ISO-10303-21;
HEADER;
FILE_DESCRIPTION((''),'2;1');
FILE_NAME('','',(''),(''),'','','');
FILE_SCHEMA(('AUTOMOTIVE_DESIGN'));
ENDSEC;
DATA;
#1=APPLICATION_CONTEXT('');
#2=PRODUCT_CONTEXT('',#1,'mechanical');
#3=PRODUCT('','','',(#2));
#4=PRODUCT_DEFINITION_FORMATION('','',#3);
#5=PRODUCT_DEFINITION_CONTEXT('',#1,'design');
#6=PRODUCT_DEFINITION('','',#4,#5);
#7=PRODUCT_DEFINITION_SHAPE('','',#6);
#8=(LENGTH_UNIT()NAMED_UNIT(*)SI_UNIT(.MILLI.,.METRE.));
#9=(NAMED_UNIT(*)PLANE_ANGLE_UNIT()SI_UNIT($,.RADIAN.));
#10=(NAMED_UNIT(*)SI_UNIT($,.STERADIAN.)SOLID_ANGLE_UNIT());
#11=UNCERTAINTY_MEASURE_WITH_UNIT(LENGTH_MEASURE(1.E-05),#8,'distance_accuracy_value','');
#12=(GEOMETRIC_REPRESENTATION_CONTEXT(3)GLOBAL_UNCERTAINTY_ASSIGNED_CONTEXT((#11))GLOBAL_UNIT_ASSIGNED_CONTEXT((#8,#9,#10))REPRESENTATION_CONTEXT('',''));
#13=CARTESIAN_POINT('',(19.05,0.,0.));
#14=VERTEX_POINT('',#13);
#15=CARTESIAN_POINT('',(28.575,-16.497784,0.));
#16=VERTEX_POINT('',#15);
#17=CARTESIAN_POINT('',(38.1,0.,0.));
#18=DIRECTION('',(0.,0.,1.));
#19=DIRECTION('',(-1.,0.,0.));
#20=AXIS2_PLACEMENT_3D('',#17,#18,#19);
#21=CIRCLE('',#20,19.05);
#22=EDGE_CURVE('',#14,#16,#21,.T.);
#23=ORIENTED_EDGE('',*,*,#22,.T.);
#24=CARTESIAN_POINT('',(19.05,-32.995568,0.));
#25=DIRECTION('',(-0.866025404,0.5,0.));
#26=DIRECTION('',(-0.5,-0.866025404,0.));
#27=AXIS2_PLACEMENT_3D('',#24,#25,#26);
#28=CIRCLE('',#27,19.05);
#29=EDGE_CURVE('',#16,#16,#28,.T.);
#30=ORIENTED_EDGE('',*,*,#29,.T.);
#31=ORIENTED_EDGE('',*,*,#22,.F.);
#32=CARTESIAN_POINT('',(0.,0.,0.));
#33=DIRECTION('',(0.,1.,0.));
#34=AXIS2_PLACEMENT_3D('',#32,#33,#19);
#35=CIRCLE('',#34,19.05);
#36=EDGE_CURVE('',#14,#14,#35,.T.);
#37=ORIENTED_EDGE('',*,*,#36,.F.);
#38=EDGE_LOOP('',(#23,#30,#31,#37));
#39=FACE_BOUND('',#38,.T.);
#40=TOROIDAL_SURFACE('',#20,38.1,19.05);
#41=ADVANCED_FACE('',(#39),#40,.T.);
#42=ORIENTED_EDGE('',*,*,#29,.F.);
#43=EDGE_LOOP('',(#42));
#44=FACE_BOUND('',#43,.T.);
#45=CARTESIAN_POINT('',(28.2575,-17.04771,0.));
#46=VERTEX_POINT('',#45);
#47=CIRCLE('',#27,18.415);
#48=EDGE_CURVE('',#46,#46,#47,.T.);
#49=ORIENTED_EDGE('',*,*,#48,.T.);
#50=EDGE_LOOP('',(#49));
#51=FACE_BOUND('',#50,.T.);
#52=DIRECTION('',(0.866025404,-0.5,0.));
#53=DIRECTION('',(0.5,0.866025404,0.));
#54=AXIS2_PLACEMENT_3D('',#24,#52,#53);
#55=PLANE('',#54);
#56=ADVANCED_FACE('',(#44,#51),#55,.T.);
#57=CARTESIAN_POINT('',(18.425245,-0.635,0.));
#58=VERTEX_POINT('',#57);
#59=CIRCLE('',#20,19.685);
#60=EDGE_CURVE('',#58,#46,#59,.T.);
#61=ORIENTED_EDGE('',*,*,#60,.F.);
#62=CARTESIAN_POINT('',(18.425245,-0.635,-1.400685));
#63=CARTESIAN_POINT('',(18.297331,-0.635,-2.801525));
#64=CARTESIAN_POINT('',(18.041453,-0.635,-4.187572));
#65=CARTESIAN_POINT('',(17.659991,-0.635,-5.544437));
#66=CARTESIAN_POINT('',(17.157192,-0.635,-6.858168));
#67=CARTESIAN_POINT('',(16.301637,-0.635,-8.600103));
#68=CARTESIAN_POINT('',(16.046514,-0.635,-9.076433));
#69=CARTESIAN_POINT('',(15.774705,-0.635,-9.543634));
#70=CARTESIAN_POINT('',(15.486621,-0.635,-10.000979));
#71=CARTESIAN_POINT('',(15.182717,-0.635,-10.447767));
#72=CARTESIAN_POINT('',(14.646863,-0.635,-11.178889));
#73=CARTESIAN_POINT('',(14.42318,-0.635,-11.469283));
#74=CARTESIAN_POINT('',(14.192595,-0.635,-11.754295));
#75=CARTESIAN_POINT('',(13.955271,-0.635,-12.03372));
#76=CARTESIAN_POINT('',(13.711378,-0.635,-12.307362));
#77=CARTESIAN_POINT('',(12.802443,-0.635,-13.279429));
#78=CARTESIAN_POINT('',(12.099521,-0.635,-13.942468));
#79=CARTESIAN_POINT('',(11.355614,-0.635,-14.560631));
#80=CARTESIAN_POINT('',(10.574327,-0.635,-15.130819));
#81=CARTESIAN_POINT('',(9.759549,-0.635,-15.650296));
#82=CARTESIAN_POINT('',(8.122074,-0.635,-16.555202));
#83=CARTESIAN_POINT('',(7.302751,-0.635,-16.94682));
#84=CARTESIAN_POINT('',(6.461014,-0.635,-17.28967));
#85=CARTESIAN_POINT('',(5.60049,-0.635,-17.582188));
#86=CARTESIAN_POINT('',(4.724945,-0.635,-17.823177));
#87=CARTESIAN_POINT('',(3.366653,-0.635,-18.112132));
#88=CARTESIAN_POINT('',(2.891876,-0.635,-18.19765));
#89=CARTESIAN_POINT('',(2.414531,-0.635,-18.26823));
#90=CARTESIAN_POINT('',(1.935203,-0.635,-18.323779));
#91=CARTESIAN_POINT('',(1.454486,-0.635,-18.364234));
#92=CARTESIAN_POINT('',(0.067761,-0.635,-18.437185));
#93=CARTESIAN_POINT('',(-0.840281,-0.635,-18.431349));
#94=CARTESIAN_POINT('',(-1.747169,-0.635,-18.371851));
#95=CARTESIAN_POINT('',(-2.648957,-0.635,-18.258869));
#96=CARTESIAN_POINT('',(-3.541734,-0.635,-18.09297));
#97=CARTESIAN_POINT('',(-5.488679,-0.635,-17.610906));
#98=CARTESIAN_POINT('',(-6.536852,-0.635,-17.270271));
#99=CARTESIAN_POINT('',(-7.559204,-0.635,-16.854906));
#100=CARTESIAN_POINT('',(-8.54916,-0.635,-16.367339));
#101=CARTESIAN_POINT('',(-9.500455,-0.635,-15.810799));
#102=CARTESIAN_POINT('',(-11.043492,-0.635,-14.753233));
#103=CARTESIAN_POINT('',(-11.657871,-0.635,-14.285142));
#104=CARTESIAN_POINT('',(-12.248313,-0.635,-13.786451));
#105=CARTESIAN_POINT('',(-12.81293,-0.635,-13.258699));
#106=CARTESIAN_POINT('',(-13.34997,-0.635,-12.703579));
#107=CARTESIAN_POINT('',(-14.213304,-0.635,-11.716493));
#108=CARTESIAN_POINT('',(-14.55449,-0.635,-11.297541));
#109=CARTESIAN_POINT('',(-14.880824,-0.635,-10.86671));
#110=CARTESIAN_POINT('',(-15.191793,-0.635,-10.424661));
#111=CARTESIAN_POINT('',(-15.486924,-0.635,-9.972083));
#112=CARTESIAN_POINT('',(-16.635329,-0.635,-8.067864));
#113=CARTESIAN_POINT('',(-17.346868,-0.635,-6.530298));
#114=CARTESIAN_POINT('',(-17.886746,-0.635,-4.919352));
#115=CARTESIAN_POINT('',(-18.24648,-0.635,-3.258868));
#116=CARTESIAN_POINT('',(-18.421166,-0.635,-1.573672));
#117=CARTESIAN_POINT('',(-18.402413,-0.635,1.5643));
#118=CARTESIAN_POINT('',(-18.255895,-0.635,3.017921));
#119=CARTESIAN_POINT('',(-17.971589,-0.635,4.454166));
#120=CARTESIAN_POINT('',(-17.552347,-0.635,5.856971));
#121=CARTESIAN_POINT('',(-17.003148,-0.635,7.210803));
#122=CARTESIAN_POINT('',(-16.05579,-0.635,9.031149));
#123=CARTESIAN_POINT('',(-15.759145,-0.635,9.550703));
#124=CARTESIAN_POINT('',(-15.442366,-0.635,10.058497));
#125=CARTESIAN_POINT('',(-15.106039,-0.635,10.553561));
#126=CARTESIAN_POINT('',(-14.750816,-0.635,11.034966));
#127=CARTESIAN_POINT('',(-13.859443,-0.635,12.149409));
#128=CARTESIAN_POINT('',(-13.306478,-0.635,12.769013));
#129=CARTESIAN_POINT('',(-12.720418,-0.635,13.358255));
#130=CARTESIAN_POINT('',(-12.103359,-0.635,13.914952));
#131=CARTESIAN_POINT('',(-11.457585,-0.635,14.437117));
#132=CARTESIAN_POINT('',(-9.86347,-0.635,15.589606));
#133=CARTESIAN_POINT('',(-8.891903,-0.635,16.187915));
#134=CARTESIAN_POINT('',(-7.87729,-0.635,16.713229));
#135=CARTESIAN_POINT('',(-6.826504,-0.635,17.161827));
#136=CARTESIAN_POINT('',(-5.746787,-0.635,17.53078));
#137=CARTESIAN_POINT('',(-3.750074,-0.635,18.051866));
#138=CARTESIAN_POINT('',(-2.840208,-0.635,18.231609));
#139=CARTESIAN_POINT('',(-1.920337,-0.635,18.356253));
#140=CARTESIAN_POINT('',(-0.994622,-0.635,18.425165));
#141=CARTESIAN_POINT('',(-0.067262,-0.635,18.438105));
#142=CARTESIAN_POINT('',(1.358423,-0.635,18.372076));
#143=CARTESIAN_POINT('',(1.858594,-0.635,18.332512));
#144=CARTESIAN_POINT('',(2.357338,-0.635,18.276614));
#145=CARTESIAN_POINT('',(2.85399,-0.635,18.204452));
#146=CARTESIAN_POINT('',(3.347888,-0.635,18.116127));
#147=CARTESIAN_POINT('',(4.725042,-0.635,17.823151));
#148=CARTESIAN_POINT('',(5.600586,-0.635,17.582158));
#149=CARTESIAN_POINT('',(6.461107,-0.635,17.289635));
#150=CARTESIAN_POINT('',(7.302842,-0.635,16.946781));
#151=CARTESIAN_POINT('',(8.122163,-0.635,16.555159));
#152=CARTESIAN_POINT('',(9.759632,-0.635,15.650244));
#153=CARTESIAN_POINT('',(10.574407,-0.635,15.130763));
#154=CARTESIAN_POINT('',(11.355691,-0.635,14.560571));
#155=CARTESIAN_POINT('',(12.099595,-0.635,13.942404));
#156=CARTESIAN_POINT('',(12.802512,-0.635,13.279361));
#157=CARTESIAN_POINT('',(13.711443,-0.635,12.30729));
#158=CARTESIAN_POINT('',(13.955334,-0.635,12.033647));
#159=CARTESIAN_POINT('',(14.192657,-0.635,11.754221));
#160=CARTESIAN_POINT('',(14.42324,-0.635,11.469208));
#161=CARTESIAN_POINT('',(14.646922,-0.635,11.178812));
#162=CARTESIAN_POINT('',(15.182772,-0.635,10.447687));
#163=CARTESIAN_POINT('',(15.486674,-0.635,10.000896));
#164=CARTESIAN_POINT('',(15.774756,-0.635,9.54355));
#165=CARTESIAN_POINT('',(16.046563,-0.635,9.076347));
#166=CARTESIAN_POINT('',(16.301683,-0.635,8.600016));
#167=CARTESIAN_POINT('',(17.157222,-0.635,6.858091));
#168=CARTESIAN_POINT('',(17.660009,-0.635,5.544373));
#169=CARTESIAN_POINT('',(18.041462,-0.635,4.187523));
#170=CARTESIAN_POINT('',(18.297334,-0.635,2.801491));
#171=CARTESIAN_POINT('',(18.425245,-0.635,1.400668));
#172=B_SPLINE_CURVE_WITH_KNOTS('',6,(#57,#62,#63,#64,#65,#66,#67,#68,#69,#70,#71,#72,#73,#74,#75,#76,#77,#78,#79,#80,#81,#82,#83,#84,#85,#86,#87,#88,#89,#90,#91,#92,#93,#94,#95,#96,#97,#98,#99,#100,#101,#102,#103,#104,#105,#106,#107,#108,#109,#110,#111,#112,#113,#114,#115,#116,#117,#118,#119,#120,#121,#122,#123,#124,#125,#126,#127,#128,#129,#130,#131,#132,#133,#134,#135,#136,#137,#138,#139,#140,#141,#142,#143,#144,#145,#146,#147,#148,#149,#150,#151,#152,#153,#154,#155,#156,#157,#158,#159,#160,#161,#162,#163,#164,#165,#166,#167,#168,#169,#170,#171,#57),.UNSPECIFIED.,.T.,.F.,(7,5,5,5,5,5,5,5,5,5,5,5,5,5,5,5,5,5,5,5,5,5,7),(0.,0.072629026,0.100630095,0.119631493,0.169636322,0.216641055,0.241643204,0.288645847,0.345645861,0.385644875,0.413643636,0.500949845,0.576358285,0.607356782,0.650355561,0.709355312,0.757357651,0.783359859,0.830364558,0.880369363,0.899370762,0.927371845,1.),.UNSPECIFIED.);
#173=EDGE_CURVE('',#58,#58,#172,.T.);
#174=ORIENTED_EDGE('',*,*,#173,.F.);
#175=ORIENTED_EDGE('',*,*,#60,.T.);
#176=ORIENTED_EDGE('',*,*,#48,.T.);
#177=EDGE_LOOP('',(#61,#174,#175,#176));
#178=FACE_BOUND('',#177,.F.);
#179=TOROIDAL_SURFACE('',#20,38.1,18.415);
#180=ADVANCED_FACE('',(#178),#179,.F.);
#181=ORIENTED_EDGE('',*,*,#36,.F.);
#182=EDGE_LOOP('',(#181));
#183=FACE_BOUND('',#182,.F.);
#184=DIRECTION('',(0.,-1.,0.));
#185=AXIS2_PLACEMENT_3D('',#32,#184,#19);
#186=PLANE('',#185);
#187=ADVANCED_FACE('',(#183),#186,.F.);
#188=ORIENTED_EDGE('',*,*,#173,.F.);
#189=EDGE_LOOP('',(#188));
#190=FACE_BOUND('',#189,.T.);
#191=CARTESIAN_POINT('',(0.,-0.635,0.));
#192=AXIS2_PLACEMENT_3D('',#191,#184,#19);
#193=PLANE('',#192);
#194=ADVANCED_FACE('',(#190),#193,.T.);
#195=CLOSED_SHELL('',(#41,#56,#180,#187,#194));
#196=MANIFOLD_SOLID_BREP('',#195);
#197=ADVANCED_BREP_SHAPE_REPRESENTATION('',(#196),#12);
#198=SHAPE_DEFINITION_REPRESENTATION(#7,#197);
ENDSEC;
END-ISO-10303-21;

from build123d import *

# Parameters (mm, degrees)
F0_R = 19.05
F3_T = -0.635


with BuildPart() as f2:
    # F2: sweep along a path in F1
    with BuildLine(Plane.XY) as f2_path:
        ThreePointArc((0, 0), (5.1044321158, -19.05), (19.05, -32.9955678842))
    # F0 (on Front) → F2 (sweep)
    with BuildSketch(Plane.XZ):
        Circle(F0_R)
    sweep(path=f2_path.line)

    # F3
    f3_openings = [f2.faces().sort_by_distance(p)[0] for p in [
        (19.05, -32.995568, 0),
    ]]
    offset(amount=F3_T, openings=f3_openings)


solid = f2.part
